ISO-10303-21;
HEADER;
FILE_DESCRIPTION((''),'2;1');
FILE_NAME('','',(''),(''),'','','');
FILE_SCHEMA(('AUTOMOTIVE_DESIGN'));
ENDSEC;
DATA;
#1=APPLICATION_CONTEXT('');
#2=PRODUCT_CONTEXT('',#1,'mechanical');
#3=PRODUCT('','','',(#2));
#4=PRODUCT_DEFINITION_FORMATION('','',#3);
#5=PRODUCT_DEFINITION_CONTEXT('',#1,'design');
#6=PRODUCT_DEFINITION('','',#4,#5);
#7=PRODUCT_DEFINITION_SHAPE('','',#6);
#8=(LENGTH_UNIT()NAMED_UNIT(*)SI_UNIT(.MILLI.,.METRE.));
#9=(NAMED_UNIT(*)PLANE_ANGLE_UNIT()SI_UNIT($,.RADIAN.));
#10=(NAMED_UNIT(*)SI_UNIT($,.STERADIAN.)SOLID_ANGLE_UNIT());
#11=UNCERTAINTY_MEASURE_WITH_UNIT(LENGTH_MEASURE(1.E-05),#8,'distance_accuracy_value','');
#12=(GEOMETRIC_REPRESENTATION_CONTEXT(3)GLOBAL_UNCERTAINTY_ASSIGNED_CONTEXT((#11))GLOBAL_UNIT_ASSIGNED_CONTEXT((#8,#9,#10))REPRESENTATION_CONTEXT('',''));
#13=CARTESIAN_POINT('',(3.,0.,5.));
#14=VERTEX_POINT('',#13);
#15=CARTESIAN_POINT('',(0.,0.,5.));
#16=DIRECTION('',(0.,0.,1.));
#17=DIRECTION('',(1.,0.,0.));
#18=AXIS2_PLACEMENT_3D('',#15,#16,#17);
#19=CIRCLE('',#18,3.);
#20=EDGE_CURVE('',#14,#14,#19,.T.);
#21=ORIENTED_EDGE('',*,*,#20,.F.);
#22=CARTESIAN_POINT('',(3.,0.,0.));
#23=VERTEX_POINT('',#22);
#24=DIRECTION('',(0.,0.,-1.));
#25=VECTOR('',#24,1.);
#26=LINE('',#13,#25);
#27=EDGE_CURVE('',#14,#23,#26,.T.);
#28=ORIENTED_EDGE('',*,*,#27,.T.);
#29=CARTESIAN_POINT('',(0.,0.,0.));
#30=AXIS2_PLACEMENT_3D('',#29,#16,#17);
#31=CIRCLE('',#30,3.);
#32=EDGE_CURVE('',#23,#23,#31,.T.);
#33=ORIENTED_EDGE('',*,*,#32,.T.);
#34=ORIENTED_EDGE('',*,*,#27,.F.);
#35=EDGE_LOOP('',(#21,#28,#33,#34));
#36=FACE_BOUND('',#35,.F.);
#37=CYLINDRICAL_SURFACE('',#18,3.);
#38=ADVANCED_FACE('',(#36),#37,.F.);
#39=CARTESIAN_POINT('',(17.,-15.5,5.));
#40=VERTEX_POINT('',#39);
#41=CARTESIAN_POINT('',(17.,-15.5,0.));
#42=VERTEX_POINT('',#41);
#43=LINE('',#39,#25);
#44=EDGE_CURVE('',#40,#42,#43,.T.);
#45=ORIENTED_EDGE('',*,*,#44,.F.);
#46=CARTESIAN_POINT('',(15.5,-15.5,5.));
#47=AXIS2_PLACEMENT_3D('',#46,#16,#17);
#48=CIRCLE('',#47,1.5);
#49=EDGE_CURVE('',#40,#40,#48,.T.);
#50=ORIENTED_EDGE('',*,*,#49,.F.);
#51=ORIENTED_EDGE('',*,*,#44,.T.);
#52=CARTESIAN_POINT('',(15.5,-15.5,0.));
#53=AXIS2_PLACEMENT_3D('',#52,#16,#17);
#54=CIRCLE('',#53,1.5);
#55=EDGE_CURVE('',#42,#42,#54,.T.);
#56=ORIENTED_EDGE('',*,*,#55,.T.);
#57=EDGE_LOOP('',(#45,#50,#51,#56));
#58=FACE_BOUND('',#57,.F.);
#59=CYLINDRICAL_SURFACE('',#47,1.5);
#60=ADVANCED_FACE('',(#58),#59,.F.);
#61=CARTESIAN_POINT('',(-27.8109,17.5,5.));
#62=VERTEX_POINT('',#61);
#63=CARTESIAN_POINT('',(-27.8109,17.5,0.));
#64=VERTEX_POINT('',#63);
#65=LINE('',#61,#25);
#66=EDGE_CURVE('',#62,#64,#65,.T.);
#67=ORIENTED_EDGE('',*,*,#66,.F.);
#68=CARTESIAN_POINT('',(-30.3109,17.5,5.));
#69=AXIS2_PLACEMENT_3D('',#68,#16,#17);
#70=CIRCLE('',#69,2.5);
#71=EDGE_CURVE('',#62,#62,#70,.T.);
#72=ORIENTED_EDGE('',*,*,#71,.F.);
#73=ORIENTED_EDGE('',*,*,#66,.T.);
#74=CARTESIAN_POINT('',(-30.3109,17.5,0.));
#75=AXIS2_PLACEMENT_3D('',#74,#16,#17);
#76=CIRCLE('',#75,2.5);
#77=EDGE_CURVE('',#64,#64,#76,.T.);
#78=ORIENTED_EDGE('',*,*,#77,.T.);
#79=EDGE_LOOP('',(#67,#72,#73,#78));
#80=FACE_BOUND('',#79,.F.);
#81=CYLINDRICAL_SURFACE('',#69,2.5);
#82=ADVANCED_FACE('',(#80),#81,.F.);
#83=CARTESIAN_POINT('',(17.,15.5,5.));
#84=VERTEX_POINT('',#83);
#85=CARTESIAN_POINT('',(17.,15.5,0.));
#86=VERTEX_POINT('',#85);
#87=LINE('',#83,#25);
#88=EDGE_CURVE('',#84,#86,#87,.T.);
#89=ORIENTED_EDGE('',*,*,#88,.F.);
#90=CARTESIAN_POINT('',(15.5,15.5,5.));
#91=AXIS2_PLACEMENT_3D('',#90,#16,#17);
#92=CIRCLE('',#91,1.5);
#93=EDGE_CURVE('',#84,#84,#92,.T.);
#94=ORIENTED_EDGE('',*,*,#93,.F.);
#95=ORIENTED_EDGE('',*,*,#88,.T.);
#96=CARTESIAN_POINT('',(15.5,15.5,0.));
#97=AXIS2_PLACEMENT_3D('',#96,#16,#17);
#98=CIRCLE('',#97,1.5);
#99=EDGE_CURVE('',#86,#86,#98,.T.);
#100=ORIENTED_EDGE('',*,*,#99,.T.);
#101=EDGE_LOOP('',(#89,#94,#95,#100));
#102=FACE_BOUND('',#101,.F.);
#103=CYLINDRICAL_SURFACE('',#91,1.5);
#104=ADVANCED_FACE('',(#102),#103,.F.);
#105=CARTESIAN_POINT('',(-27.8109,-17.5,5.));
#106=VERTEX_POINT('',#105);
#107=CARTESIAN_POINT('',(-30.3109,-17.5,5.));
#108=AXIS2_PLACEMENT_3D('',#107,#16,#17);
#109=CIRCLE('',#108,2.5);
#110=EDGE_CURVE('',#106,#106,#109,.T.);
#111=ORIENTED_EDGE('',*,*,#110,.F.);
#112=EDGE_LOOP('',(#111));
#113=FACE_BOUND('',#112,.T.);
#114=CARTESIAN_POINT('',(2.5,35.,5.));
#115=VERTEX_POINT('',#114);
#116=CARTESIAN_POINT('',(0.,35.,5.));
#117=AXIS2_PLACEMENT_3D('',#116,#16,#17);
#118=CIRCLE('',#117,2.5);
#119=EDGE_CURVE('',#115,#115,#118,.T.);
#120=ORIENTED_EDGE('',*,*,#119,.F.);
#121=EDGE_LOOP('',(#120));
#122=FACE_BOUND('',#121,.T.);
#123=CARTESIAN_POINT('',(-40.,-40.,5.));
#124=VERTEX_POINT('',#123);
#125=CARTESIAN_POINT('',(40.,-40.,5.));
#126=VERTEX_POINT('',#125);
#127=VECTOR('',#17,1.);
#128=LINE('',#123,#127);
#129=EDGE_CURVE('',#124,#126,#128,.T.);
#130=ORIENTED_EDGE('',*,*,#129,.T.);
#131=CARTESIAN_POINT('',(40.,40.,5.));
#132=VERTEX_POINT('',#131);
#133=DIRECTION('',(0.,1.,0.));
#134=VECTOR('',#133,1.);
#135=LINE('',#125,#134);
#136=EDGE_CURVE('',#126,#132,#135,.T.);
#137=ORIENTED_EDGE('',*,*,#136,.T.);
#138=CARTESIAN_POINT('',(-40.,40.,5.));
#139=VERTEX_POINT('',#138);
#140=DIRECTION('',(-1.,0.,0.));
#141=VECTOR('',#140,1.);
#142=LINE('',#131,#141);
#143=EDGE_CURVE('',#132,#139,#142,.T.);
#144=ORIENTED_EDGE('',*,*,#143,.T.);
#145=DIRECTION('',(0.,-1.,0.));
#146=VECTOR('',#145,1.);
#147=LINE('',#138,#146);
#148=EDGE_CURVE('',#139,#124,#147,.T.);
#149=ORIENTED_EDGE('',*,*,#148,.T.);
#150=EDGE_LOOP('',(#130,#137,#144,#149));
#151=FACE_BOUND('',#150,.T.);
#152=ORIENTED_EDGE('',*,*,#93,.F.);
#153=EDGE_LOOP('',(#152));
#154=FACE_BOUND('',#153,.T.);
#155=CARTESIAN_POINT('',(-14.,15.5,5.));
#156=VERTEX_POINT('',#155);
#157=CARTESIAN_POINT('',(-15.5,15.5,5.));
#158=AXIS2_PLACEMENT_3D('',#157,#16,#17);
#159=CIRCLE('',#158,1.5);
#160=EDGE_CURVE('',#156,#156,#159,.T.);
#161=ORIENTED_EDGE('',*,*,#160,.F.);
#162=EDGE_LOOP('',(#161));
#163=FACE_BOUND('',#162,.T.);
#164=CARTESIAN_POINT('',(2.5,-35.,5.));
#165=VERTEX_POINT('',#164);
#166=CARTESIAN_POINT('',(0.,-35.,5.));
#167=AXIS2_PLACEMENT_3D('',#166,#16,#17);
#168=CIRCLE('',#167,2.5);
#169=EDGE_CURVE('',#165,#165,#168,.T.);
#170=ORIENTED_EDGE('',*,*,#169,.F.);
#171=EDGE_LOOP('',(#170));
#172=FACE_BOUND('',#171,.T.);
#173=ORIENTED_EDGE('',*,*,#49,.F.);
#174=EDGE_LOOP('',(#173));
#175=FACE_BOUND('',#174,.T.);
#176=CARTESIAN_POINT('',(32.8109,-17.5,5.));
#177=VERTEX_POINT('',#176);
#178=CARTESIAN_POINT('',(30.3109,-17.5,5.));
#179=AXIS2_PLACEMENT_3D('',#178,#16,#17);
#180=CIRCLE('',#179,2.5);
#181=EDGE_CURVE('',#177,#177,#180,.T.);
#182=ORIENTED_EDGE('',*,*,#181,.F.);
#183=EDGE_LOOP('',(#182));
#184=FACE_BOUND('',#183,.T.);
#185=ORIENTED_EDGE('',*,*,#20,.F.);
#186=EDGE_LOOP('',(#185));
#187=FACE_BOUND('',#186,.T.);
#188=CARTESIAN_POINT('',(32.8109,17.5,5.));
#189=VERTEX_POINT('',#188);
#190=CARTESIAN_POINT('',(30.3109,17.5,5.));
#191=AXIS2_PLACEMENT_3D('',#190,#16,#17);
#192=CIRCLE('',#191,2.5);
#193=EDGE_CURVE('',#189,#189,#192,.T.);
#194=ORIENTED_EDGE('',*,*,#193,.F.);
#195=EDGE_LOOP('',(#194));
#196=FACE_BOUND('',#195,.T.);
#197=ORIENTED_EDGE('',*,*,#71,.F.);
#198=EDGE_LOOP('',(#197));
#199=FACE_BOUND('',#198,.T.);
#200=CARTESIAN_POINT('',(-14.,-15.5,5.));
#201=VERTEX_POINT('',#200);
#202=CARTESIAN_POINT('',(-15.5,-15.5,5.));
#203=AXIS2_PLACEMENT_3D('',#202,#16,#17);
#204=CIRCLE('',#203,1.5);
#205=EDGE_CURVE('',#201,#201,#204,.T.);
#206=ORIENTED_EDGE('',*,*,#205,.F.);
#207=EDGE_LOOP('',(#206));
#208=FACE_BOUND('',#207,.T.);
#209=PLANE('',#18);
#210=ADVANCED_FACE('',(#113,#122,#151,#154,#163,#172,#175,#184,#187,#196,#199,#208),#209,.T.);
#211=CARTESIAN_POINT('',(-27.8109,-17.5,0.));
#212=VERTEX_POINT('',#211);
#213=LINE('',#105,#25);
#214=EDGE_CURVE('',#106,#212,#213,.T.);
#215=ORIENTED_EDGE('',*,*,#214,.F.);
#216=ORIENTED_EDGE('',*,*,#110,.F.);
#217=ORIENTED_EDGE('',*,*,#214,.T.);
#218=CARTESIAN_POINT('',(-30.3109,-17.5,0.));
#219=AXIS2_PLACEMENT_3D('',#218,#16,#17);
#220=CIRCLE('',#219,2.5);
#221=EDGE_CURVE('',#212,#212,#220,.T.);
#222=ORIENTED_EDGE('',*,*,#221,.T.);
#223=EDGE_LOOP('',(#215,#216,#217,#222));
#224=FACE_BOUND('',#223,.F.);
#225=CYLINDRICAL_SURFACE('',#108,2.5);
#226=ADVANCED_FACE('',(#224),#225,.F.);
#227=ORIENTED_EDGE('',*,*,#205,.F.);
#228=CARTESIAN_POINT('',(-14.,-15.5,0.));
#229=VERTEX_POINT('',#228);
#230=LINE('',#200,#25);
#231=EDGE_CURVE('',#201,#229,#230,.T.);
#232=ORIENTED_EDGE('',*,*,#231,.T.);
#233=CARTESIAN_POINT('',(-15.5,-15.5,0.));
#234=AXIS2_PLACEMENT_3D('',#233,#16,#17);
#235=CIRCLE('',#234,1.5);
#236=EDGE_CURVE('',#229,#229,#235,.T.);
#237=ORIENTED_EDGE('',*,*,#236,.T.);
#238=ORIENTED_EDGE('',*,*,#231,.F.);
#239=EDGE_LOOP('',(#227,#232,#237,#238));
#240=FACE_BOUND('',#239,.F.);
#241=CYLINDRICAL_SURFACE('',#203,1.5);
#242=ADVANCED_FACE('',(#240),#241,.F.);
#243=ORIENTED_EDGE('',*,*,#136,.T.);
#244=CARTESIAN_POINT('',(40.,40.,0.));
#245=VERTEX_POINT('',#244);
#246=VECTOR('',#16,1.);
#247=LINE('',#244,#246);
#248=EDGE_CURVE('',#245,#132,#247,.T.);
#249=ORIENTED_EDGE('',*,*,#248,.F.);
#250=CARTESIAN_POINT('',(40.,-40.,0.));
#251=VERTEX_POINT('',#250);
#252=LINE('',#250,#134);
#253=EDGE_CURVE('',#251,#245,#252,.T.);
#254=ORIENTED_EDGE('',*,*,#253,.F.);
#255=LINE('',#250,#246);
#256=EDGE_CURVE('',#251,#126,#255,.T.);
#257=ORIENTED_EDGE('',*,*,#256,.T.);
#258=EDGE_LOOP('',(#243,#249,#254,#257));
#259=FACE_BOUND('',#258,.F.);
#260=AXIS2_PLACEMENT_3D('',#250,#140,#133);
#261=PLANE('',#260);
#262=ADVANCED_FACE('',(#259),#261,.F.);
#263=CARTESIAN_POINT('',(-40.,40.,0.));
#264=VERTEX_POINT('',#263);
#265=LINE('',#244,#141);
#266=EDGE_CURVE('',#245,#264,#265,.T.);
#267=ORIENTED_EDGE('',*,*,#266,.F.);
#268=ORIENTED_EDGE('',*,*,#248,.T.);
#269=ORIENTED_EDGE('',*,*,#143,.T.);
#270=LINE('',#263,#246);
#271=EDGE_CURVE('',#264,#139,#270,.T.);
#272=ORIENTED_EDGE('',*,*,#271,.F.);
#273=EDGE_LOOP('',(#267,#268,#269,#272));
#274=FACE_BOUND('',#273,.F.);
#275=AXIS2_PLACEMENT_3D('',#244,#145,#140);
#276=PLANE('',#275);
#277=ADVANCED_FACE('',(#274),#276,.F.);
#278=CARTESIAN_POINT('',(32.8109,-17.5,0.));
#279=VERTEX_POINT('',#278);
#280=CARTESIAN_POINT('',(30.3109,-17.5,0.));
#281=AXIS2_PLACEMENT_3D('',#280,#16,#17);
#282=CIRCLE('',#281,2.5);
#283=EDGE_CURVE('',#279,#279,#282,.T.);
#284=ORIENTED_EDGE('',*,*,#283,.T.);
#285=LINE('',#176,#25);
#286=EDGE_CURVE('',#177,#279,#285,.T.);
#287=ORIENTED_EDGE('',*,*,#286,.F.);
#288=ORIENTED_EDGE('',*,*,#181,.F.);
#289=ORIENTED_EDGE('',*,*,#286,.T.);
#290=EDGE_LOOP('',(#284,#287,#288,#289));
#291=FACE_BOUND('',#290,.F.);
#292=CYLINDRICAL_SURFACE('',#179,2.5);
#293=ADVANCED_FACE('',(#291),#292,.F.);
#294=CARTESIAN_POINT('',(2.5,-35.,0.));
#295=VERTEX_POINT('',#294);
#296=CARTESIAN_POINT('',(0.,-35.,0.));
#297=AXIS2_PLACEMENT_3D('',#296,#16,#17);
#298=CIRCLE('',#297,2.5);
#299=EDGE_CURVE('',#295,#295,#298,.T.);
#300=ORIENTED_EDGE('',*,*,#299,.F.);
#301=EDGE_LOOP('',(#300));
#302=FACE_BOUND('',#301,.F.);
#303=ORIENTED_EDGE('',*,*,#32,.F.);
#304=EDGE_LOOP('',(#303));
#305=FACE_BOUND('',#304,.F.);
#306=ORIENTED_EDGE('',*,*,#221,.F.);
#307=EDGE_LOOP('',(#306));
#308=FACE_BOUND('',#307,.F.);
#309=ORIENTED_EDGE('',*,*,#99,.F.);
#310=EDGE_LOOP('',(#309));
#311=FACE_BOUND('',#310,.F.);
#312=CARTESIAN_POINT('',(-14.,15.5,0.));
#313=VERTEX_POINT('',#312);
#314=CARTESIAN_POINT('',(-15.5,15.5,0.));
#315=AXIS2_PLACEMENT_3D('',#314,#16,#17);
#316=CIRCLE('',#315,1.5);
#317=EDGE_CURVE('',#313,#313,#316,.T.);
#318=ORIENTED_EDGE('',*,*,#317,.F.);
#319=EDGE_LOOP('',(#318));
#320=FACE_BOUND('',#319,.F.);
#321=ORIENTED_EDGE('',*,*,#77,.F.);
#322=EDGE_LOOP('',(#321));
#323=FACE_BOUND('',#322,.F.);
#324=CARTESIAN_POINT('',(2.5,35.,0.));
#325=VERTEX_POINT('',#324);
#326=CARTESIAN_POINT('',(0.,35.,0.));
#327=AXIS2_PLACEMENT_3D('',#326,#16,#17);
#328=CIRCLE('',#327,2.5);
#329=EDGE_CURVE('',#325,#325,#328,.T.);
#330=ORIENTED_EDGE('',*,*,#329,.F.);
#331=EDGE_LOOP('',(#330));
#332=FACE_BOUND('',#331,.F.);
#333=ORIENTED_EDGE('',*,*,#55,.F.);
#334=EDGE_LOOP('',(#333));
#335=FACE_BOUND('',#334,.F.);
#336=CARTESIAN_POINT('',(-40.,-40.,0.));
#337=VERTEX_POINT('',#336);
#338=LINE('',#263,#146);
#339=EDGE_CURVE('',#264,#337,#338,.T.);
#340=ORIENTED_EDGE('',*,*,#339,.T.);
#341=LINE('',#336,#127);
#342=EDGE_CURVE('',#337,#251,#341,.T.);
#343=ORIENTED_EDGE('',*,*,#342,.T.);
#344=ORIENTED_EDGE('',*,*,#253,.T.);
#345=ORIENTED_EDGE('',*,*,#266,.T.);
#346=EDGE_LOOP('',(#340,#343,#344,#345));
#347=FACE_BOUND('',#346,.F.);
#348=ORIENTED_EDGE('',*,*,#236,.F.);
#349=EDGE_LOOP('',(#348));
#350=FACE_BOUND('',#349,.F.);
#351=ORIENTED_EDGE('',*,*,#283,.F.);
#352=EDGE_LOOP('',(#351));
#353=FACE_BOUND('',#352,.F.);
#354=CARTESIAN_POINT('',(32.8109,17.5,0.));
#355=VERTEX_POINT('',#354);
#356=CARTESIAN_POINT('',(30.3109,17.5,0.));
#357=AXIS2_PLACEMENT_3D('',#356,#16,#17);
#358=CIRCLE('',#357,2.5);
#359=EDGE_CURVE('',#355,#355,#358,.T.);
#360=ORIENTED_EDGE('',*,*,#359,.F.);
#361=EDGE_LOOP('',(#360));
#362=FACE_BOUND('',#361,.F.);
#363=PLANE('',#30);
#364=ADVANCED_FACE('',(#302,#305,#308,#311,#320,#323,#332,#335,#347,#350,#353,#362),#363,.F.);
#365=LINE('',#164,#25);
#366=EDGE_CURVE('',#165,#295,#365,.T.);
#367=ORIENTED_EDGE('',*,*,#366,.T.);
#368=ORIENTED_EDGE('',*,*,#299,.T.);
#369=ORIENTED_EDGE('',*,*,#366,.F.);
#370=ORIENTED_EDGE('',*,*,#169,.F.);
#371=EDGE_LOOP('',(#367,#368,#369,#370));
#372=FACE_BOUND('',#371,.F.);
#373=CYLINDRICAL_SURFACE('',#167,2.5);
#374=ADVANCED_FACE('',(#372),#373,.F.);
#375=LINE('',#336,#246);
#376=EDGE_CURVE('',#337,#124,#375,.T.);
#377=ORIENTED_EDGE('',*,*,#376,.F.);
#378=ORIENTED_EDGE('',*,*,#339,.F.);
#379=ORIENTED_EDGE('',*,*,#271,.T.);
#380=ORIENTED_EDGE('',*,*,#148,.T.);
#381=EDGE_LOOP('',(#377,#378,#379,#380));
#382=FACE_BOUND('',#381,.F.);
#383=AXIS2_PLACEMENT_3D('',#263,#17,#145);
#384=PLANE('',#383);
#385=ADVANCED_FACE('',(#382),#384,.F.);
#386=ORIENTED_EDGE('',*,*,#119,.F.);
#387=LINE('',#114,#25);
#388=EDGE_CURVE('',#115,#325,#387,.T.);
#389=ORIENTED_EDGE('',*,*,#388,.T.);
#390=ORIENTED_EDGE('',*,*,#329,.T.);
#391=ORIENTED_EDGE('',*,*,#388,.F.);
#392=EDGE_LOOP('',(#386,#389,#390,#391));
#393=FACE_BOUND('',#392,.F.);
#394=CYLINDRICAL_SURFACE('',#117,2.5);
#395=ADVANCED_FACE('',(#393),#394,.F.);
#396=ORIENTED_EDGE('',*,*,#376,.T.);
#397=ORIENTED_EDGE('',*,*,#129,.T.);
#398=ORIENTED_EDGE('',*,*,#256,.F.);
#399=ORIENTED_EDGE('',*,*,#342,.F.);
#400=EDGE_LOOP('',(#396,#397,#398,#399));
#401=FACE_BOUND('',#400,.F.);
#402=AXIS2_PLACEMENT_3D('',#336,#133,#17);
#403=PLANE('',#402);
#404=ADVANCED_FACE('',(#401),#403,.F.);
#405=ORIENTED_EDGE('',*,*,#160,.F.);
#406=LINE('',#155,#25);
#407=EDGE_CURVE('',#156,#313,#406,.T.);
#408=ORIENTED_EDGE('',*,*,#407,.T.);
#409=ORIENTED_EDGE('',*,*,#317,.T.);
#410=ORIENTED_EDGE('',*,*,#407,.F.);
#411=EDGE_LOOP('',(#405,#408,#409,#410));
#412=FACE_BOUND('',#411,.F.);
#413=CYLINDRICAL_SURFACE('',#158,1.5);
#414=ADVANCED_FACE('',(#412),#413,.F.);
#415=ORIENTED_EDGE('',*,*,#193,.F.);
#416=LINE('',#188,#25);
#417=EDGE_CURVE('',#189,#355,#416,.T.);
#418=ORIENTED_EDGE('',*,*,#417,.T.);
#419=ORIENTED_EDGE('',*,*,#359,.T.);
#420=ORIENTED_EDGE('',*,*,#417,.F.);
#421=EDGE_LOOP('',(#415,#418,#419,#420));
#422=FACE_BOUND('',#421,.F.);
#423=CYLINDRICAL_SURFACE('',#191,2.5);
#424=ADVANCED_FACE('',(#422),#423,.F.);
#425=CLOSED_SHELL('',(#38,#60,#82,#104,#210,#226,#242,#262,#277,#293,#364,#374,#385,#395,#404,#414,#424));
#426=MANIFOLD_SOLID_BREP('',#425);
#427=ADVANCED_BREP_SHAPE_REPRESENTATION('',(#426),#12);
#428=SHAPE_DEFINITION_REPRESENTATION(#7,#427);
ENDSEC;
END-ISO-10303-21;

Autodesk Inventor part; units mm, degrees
ref_plane "YZ Plane" through (0, 0, 0) normal (1, 0, 0) x (0, 1, 0)
ref_plane "XZ Plane" through (0, 0, 0) normal (0, 1, 0) x (-1, 0, 0)
ref_plane "XY Plane" through (0, 0, 0) normal (0, 0, 1) x (1, 0, 0)
sketch "Sketch1" plane through (0, 0, 0) normal (0, 0, 1) x (1, 0, 0)
  line L0 (-40, -40) -> (40, -40)
  line L1 (40, -40) -> (40, 40)
  line L2 (40, 40) -> (-40, 40)
  line L3 (-40, 40) -> (-40, -40)
  line L4 (-40, -40) -> (40, 40) construction
  line L5 (40, -40) -> (-40, 40) construction
  point P0 (0, 0)
  dimension "d0" = 80
  dimension "d1" = 80
extrude "Extrusion1" add sketch "Sketch1" along normal blind 5
sketch "Sketch2" plane through (0, 0, 5) normal (0, 0, 1) x (1, 0, 0)
  circle A0 centre (0, 0) radius 3
  circle A1 centre (0, 35) radius 2.5
  circle A2 centre (-30.3109, 17.5) radius 2.5
  circle A3 centre (-30.3109, -17.5) radius 2.5
  circle A4 centre (0, -35) radius 2.5
  circle A5 centre (30.3109, -17.5) radius 2.5
  circle A6 centre (30.3109, 17.5) radius 2.5
  line L0 (-15.5, -15.5) -> (15.5, -15.5) construction
  line L1 (15.5, -15.5) -> (15.5, 15.5) construction
  line L2 (15.5, 15.5) -> (-15.5, 15.5) construction
  line L3 (-15.5, 15.5) -> (-15.5, -15.5) construction
  line L4 (-15.5, -15.5) -> (15.5, 15.5) construction
  line L5 (15.5, -15.5) -> (-15.5, 15.5) construction
  circle A7 centre (-15.5, 15.5) radius 1.5
  circle A8 centre (15.5, 15.5) radius 1.5
  circle A9 centre (15.5, -15.5) radius 1.5
  circle A10 centre (-15.5, -15.5) radius 1.5
  dimension "d4" = 6
  dimension "d5" = 5
  dimension "d6" = 35
  dimension "d9" = 360
  dimension "d11" = 31
  dimension "d12" = 31
  dimension "d13" = 3
  dimension "d14" = 3
  dimension "d15" = 3
  dimension "d16" = 3
extrude "Extrusion2" cut sketch "Sketch2" against normal through all
properties part number "HA003" material "ABS Plastic"
